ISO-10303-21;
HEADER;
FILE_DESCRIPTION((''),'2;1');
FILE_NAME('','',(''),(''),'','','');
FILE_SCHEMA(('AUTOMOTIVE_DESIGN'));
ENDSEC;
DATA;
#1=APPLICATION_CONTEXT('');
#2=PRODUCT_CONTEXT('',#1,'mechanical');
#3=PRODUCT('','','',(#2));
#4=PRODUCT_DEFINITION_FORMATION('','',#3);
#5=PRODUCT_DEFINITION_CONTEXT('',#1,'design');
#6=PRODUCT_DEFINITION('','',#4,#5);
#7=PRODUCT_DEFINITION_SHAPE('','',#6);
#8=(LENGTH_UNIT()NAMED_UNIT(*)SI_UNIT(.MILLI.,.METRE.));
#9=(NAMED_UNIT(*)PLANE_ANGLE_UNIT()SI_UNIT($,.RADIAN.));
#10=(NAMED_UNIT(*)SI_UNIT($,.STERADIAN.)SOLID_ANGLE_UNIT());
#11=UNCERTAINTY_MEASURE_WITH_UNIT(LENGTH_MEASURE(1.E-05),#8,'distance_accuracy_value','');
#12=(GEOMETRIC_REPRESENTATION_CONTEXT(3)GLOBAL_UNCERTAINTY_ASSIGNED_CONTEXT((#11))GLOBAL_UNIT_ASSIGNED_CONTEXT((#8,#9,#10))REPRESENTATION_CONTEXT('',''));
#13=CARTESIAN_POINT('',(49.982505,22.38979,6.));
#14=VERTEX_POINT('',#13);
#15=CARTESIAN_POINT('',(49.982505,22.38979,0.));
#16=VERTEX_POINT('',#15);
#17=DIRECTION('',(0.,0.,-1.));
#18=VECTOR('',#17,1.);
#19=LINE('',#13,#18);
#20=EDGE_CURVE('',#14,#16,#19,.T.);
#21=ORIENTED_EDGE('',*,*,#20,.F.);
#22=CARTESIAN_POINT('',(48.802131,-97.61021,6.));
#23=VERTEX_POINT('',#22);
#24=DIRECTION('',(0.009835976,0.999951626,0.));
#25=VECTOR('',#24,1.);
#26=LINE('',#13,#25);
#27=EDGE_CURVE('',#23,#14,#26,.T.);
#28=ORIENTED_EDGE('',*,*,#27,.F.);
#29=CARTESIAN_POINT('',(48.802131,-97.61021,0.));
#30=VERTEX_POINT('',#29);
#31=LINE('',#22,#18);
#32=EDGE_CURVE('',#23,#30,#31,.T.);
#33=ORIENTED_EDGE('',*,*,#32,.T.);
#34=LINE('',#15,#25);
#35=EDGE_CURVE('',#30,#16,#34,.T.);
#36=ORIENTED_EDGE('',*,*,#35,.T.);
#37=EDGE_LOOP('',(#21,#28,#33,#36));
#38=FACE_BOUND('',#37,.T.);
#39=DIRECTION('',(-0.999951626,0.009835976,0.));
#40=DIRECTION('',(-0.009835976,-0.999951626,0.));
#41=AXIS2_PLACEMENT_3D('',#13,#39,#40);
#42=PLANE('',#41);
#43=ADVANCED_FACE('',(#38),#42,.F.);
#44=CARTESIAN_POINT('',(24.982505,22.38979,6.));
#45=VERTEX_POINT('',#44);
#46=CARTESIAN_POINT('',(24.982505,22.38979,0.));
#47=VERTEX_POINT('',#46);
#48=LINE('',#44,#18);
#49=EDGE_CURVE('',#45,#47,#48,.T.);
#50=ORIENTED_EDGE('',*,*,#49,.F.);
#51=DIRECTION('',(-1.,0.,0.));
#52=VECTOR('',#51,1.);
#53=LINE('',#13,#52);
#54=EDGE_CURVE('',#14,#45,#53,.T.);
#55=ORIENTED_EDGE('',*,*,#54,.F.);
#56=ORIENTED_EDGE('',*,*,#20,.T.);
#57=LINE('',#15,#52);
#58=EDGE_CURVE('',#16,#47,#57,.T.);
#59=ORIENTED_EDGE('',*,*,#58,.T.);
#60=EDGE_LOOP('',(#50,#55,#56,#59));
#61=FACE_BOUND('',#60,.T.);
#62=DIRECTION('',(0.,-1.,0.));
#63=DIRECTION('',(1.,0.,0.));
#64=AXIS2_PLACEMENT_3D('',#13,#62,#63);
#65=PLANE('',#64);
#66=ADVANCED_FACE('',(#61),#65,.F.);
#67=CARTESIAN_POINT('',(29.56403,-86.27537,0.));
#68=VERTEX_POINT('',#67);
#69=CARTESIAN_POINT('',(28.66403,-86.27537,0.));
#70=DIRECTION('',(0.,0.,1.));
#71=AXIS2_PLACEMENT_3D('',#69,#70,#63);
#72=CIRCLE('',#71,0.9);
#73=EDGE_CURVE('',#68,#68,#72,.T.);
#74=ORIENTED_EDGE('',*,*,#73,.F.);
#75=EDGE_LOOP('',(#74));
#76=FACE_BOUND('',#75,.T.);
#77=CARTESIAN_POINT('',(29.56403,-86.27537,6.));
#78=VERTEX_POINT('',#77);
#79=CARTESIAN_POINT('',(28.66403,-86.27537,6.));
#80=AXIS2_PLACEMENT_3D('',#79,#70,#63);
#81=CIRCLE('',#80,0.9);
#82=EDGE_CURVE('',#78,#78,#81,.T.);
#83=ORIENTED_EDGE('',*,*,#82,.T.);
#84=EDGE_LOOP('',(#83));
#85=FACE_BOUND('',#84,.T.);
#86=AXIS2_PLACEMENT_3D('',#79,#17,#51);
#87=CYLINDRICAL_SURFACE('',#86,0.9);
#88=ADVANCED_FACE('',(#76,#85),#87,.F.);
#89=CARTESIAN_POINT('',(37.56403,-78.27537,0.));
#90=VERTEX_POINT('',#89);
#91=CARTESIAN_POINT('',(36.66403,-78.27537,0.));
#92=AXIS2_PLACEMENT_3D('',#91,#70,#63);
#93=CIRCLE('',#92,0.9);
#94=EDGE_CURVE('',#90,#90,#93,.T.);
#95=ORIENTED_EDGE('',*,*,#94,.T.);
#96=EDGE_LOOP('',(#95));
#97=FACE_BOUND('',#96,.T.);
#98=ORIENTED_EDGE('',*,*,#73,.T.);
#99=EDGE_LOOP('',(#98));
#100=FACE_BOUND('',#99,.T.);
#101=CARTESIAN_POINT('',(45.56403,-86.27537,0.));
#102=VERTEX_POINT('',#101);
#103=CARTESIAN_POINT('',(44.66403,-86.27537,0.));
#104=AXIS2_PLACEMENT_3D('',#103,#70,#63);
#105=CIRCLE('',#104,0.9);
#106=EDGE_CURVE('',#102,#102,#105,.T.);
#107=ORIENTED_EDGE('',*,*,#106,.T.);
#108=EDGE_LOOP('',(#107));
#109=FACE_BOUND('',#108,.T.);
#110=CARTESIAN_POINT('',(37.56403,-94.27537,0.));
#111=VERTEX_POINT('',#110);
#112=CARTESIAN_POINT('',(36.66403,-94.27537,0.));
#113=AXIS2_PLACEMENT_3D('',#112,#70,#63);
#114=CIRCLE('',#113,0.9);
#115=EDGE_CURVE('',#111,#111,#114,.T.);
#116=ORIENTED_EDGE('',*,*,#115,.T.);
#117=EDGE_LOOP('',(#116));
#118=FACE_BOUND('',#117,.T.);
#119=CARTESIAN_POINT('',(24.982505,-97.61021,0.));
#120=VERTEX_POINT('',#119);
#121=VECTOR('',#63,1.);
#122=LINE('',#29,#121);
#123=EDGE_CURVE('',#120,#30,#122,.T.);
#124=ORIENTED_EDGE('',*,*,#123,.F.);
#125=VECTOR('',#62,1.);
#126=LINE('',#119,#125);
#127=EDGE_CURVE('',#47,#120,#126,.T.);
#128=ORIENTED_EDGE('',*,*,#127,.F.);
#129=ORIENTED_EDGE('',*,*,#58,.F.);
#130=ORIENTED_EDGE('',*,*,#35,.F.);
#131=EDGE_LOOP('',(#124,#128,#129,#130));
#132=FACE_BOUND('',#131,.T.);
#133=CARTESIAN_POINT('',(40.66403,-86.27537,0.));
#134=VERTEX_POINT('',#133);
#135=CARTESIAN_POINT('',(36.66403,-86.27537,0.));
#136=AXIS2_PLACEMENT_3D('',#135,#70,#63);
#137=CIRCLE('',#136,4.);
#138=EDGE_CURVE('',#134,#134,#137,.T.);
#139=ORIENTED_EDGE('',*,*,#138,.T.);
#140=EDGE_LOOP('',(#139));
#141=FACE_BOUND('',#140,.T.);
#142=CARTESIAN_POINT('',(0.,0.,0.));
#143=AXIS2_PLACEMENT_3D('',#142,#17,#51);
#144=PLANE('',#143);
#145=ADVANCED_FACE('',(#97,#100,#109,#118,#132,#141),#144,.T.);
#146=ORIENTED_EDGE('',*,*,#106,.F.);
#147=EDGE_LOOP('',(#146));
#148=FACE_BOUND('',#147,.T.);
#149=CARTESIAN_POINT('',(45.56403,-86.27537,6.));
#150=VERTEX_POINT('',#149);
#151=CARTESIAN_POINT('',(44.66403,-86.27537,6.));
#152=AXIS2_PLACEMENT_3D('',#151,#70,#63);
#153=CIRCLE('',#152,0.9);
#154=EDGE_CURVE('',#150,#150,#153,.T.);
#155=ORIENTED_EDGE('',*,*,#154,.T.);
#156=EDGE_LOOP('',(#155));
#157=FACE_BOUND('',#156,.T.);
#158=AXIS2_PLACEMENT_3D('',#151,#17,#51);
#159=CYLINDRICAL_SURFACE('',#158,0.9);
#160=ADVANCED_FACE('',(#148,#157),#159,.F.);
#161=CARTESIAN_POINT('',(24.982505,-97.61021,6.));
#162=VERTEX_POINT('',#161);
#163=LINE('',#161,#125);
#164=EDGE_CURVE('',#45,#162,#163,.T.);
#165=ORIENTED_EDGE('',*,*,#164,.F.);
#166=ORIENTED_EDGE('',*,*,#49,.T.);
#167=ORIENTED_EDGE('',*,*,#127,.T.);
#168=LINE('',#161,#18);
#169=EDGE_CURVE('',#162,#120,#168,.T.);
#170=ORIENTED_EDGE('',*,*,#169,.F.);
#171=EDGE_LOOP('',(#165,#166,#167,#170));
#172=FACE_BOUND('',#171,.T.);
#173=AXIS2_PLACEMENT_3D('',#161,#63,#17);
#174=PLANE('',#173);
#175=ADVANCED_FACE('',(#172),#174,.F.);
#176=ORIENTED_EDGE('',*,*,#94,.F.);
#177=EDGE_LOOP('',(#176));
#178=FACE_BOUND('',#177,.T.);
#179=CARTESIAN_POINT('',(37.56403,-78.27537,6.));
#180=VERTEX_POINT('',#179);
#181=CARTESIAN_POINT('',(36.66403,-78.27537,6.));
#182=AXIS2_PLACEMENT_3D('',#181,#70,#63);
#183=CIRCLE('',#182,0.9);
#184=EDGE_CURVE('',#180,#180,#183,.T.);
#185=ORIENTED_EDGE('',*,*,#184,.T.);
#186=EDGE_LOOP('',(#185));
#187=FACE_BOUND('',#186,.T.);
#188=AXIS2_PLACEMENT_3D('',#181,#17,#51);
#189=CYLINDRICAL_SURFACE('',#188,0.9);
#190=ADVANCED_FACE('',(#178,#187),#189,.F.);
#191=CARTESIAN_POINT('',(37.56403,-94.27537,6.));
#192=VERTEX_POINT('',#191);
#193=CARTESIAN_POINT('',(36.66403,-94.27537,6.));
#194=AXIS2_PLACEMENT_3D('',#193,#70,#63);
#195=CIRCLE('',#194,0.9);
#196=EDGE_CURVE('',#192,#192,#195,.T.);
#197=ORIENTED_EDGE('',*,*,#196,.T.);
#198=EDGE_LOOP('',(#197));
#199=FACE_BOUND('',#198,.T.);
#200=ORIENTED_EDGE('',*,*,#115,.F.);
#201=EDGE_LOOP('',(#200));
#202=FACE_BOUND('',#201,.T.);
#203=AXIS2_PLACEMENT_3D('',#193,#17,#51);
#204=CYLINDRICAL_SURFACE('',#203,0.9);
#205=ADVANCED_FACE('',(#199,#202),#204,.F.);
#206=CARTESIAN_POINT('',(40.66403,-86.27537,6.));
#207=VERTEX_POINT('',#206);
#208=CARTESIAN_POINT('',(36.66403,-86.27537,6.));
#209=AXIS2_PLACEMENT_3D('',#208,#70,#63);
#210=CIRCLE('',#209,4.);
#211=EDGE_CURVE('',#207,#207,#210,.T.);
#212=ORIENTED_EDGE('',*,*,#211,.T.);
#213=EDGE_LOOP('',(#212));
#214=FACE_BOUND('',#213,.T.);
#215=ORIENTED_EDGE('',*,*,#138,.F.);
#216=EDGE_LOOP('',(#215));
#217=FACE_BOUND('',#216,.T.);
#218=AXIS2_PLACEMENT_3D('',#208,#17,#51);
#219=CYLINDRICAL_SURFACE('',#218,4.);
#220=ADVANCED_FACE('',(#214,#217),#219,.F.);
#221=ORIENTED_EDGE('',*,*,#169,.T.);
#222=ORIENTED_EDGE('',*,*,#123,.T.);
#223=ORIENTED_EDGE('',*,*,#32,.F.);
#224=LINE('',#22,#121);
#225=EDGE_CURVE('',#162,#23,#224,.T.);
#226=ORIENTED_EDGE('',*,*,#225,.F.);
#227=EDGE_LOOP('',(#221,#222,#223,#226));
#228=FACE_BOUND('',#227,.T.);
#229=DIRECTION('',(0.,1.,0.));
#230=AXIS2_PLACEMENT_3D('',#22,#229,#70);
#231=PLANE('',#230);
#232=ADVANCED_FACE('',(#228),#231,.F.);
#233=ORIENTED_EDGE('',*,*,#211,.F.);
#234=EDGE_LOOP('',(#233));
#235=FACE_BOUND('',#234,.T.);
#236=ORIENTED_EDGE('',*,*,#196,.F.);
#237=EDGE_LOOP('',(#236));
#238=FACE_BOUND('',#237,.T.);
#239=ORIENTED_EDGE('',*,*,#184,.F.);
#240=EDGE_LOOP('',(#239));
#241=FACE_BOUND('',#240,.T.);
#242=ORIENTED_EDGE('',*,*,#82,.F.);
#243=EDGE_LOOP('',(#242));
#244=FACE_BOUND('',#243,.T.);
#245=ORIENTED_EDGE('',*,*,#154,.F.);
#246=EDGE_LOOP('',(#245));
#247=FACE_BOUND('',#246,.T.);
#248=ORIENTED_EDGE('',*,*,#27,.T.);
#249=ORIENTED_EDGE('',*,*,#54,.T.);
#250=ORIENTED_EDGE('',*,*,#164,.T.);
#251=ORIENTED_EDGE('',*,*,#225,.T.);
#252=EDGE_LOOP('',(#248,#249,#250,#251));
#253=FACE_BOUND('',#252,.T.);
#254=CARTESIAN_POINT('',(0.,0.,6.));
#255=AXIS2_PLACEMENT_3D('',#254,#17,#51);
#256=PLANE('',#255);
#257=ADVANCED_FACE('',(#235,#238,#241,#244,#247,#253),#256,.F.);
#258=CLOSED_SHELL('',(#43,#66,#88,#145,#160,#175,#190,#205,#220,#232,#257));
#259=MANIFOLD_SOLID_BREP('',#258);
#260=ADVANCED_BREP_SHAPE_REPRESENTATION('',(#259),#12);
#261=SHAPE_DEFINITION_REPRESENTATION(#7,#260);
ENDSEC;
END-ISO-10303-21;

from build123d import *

# Parameters (mm, degrees)
ESQUISSE1_R        = 0.9
ESQUISSE1_R_2      = 4
BOSS_EXTRU_1_DEPTH = 6


with BuildPart() as part:
    # Esquisse1 → Boss.-Extru.1 (new body)
    with BuildSketch(Plane.XY):
        Polygon((24.982504982, -97.610209745), (24.982504982, 22.389790255), (49.982504982, 22.389790255), (48.802130714, -97.610209745), align=None)
        with Locations((28.664029602, -86.275370074)):
            Circle(ESQUISSE1_R, mode=Mode.SUBTRACT)
        with Locations((36.664029602, -78.275370074)):
            Circle(ESQUISSE1_R, mode=Mode.SUBTRACT)
        with Locations((44.664029602, -86.275370074)):
            Circle(ESQUISSE1_R, mode=Mode.SUBTRACT)
        with Locations((36.664029602, -94.275370074)):
            Circle(ESQUISSE1_R, mode=Mode.SUBTRACT)
        with Locations((36.664029602, -86.275370074)):
            Circle(ESQUISSE1_R_2, mode=Mode.SUBTRACT)
    extrude(amount=BOSS_EXTRU_1_DEPTH)


solid = part.part
